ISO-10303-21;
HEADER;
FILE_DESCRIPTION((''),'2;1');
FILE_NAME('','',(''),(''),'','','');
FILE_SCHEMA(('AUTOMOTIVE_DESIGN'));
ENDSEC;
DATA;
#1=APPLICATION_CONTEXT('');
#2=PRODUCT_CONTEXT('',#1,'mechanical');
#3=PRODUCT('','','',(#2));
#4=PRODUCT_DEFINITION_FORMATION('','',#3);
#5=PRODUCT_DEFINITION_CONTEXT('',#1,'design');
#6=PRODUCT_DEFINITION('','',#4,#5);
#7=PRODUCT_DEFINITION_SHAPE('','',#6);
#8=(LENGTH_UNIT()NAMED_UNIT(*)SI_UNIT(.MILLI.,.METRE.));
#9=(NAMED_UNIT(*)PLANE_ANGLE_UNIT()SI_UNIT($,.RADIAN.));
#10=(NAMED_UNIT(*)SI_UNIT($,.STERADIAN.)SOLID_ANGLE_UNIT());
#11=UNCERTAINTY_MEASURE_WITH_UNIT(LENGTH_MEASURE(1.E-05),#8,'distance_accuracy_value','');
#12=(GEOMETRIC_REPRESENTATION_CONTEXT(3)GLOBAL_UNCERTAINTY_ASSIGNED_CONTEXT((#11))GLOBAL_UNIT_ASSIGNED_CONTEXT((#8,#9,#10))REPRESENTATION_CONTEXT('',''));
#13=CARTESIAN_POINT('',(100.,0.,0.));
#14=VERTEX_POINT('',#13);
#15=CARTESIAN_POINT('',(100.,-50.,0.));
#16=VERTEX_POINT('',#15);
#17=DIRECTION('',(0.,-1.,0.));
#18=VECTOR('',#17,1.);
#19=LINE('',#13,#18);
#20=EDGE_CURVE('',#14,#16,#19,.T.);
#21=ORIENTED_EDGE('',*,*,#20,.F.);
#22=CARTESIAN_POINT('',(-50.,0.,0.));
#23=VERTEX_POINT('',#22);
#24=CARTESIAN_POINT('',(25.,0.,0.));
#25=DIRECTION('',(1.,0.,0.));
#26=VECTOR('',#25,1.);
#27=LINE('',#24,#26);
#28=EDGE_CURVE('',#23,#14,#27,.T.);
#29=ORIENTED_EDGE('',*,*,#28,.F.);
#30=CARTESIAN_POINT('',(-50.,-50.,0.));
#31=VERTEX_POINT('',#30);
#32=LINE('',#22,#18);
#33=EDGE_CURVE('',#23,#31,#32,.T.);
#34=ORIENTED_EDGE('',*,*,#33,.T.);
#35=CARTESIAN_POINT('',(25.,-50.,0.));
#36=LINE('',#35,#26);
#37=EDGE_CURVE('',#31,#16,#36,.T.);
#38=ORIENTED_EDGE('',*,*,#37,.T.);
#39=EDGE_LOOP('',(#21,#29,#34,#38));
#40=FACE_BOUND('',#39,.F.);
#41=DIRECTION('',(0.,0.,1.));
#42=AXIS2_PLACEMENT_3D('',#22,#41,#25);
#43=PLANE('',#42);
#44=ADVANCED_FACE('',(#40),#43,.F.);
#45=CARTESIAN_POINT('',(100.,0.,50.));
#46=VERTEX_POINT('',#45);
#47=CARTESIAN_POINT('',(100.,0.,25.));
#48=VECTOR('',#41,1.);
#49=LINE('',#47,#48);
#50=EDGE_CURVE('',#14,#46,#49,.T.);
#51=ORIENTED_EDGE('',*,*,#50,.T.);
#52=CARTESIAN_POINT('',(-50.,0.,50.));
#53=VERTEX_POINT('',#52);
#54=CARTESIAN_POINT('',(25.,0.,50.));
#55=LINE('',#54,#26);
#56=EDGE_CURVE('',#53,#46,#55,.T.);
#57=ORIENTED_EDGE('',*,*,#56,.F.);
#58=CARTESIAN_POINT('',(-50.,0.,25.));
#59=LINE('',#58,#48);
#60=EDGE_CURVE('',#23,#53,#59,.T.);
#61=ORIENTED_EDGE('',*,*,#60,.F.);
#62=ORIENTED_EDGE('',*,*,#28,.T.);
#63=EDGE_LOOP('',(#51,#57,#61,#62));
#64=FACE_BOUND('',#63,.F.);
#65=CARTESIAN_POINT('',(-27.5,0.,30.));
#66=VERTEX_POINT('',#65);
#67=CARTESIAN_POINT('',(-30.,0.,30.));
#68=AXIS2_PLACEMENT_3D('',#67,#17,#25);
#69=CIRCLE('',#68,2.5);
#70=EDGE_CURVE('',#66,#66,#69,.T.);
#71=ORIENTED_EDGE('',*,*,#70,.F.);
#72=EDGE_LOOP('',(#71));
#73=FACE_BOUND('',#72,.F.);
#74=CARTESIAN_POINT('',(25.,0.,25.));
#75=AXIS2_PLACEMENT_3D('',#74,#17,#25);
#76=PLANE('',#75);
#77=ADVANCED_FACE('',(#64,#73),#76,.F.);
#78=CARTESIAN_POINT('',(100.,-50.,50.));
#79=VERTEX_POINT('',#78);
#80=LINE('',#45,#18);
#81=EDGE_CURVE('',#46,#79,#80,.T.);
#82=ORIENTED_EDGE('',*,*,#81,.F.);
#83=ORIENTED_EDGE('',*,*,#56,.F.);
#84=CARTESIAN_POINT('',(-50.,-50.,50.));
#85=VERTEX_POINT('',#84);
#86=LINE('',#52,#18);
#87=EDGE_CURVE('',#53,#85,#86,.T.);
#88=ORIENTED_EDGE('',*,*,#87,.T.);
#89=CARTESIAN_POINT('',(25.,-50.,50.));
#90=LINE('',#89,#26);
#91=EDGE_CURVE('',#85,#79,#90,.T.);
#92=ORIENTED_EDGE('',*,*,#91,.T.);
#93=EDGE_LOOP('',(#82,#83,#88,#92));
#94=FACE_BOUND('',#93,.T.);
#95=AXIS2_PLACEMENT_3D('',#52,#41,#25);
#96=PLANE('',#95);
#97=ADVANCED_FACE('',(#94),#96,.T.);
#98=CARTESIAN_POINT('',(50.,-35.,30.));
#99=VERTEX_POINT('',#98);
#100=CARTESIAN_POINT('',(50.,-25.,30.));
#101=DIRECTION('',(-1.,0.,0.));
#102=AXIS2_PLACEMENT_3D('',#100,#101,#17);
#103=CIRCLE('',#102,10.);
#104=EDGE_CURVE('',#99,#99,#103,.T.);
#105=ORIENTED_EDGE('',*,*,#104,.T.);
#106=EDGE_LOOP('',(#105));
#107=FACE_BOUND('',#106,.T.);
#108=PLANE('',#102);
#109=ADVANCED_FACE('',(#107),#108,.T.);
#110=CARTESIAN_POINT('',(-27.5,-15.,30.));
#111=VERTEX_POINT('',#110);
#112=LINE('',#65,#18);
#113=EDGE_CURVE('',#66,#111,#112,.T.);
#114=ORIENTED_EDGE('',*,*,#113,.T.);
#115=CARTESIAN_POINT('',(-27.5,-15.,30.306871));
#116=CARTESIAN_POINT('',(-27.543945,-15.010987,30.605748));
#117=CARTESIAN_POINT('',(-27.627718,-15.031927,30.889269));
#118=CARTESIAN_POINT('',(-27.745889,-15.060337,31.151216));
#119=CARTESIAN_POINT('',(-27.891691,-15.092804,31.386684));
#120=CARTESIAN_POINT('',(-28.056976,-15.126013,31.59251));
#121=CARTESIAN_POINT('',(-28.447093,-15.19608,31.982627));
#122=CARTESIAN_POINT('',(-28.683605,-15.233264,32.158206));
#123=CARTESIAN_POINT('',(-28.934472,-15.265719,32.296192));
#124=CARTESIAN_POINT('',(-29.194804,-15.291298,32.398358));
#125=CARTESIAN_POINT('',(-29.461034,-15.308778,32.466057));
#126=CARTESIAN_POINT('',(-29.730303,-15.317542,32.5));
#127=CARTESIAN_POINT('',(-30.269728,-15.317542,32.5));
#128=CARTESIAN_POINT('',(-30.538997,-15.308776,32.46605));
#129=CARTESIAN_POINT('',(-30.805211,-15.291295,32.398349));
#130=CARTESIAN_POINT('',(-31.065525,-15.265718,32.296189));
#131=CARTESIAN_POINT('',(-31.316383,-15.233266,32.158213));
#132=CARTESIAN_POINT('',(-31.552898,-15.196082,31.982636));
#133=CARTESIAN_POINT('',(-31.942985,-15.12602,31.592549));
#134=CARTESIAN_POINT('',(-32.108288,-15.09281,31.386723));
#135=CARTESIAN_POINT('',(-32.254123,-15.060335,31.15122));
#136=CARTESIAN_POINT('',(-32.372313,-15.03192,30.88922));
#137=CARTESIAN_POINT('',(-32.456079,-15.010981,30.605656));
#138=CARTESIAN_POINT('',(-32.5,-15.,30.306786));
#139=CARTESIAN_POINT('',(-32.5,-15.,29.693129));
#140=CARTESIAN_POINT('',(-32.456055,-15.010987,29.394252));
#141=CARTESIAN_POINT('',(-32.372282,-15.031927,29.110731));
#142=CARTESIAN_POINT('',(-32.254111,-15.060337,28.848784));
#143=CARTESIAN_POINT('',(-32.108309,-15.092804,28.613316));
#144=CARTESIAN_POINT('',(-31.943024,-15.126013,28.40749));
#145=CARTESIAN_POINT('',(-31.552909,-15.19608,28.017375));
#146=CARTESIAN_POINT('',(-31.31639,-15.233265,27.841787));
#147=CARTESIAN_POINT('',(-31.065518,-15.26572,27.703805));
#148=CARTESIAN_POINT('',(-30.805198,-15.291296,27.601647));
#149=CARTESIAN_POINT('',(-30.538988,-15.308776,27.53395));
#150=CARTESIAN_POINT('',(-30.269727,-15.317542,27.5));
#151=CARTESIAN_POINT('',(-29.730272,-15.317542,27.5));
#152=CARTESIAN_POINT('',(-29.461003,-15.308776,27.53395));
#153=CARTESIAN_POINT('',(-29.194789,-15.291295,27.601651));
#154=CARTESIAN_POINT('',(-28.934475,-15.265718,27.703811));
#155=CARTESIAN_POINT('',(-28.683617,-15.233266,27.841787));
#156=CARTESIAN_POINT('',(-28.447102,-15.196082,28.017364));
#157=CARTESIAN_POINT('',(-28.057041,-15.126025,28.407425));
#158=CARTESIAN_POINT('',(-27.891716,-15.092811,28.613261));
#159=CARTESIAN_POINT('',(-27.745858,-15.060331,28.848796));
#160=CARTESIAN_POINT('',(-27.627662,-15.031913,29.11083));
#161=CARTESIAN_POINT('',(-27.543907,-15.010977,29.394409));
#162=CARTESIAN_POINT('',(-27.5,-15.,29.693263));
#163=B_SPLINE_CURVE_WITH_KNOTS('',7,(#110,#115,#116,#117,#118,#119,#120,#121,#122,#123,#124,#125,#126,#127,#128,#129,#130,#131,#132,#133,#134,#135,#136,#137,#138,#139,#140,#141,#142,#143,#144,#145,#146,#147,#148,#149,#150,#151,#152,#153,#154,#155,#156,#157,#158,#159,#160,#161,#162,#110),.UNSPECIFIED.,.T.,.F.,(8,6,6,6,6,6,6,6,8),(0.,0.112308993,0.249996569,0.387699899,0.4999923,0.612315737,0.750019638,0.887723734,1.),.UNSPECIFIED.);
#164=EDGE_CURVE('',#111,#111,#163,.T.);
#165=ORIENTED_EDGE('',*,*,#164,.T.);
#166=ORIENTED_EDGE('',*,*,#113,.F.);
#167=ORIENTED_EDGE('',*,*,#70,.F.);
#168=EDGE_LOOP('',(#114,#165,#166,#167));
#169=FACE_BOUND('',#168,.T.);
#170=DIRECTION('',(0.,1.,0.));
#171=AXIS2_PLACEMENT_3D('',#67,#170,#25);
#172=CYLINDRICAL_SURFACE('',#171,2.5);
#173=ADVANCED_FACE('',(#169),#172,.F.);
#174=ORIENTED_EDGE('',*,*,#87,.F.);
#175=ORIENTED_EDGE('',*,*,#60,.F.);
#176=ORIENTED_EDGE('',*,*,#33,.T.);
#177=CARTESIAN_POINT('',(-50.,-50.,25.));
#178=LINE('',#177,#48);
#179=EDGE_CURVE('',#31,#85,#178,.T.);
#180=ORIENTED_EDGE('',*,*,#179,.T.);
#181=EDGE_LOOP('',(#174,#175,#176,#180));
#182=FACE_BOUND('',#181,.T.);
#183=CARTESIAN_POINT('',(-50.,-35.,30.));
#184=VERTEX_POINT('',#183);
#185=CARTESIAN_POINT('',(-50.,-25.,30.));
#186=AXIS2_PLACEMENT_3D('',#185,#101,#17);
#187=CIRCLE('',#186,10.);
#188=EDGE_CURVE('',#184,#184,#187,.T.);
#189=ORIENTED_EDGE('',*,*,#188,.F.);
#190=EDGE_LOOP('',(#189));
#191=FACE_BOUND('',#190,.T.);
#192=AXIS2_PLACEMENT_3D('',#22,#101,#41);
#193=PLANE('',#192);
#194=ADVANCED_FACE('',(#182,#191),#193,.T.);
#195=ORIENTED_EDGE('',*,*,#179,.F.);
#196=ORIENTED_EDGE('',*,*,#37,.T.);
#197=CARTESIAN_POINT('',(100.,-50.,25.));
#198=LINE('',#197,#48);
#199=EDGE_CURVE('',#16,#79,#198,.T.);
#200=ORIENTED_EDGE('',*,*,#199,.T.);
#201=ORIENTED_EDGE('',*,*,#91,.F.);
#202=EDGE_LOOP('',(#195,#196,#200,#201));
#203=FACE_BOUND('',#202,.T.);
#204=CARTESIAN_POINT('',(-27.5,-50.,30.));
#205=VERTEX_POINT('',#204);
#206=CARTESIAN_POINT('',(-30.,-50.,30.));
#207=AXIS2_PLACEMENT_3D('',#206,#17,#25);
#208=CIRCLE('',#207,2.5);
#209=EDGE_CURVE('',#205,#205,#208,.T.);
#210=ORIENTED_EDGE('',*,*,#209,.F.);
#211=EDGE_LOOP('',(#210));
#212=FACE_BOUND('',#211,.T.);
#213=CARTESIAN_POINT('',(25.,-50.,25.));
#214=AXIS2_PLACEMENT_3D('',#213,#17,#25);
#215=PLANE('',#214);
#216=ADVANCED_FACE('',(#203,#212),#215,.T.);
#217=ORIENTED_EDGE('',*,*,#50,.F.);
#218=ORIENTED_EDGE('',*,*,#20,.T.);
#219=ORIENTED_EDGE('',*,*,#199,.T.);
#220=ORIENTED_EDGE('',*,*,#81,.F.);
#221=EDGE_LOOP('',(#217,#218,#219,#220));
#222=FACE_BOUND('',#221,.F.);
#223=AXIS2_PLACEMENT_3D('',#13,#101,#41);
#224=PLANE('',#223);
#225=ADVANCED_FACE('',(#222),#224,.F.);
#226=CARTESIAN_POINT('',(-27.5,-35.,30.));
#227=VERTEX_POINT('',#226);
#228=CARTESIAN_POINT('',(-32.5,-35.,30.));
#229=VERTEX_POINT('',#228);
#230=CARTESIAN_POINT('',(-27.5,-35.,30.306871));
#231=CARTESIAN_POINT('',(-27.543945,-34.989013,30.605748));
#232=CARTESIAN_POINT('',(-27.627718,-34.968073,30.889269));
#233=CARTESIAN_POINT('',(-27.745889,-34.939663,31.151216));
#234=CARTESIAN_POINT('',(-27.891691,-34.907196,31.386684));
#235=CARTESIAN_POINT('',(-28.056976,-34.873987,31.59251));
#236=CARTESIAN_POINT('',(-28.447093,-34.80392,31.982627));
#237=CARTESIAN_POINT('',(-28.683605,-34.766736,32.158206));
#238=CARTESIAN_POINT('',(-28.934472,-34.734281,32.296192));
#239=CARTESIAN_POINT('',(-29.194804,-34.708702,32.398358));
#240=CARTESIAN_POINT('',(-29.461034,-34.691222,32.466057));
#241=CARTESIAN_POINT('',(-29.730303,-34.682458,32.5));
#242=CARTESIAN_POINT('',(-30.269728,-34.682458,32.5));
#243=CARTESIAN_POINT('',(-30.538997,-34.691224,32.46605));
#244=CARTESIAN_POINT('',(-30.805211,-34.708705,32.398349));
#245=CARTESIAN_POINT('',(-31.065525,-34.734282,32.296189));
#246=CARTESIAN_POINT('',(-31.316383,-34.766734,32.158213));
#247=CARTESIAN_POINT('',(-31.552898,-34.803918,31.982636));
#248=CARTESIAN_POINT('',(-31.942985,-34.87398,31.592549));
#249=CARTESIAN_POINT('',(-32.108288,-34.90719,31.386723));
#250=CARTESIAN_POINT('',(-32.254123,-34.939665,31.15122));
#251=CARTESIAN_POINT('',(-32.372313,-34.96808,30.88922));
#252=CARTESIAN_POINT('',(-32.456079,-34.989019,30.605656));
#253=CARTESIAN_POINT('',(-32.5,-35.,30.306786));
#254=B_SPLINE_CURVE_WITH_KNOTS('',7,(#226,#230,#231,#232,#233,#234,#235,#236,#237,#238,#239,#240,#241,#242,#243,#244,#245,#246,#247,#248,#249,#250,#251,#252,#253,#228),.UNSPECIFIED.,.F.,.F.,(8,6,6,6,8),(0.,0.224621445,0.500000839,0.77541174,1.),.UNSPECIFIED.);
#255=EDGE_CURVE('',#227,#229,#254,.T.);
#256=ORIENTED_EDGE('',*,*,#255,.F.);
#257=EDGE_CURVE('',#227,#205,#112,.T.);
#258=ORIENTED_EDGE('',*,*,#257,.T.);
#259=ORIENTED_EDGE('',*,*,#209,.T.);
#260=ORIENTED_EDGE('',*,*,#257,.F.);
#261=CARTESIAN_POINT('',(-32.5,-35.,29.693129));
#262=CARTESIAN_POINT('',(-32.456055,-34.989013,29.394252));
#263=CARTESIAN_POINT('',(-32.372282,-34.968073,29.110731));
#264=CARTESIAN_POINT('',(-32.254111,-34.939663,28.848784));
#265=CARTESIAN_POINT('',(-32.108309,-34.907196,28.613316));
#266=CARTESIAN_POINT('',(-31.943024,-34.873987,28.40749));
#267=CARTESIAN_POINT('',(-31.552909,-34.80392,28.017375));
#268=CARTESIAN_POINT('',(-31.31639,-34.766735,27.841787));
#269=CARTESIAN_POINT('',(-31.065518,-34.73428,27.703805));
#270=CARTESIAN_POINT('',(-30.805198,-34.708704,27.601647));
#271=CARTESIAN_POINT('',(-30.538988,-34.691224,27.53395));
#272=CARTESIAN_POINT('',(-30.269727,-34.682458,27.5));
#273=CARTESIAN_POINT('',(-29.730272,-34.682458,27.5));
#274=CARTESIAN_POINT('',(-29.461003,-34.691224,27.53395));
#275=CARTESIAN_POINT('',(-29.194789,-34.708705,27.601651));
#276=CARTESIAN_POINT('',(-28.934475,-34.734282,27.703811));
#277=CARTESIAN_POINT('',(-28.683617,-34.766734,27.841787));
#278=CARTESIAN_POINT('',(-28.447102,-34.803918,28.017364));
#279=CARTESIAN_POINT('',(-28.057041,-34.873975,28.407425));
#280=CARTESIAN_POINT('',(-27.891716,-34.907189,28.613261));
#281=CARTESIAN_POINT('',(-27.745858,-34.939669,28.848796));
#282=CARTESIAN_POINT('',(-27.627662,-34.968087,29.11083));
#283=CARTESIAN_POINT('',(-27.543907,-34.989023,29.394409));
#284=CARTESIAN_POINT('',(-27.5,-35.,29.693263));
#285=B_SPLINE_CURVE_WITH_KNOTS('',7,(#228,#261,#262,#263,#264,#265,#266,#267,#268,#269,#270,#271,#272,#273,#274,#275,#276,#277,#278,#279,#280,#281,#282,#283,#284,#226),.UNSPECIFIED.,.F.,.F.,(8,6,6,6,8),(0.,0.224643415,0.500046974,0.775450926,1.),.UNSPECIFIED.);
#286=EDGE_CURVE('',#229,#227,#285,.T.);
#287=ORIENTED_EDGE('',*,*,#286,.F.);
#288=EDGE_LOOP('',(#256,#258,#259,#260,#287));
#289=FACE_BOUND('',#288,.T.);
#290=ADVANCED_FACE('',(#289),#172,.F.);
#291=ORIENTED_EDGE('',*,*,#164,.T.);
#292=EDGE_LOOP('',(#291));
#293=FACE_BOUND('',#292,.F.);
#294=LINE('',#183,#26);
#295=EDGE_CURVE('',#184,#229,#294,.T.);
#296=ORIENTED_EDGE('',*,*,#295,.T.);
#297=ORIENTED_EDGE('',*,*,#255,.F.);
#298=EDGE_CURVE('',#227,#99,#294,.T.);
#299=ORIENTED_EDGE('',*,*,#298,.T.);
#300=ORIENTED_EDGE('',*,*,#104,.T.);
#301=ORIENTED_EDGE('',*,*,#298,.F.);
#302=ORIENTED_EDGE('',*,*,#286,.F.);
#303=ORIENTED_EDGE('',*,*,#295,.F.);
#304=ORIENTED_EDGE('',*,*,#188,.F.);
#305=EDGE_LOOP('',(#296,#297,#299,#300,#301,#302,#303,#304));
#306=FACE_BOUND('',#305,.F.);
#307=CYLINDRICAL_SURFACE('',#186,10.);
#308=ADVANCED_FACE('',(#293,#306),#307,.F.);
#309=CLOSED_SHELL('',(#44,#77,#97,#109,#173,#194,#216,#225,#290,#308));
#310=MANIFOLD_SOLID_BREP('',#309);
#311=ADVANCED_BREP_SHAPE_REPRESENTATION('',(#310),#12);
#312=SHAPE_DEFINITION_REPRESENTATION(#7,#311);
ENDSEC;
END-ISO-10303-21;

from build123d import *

# Parameters (mm, degrees)
F0_W     = 150
F0_H     = 50
F1_DEPTH = 50
F2_R     = 2.5
F3_DEPTH = 50
F4_R     = 10
F5_DEPTH = 100


with BuildPart() as f1:
    # F0 (on Front) → F1 (new body)
    with BuildSketch(Plane.XZ):
        with Locations((25, 25)):
            Rectangle(F0_W, F0_H)
    extrude(amount=F1_DEPTH)

    # F2 (on Front) → F3 (cut)
    with BuildSketch(Plane.XZ):
        with Locations((-30, 30)):
            Circle(F2_R)
    extrude(amount=F3_DEPTH, mode=Mode.SUBTRACT)

    # F4 (on face) → F5 (cut)
    with BuildSketch(Plane(origin=(-50, 0, 0), x_dir=(0, -1, 0), z_dir=(-1, 0, 0))):
        with Locations((25, 30)):
            Circle(F4_R)
    extrude(amount=-F5_DEPTH, mode=Mode.SUBTRACT)


solid = f1.part
